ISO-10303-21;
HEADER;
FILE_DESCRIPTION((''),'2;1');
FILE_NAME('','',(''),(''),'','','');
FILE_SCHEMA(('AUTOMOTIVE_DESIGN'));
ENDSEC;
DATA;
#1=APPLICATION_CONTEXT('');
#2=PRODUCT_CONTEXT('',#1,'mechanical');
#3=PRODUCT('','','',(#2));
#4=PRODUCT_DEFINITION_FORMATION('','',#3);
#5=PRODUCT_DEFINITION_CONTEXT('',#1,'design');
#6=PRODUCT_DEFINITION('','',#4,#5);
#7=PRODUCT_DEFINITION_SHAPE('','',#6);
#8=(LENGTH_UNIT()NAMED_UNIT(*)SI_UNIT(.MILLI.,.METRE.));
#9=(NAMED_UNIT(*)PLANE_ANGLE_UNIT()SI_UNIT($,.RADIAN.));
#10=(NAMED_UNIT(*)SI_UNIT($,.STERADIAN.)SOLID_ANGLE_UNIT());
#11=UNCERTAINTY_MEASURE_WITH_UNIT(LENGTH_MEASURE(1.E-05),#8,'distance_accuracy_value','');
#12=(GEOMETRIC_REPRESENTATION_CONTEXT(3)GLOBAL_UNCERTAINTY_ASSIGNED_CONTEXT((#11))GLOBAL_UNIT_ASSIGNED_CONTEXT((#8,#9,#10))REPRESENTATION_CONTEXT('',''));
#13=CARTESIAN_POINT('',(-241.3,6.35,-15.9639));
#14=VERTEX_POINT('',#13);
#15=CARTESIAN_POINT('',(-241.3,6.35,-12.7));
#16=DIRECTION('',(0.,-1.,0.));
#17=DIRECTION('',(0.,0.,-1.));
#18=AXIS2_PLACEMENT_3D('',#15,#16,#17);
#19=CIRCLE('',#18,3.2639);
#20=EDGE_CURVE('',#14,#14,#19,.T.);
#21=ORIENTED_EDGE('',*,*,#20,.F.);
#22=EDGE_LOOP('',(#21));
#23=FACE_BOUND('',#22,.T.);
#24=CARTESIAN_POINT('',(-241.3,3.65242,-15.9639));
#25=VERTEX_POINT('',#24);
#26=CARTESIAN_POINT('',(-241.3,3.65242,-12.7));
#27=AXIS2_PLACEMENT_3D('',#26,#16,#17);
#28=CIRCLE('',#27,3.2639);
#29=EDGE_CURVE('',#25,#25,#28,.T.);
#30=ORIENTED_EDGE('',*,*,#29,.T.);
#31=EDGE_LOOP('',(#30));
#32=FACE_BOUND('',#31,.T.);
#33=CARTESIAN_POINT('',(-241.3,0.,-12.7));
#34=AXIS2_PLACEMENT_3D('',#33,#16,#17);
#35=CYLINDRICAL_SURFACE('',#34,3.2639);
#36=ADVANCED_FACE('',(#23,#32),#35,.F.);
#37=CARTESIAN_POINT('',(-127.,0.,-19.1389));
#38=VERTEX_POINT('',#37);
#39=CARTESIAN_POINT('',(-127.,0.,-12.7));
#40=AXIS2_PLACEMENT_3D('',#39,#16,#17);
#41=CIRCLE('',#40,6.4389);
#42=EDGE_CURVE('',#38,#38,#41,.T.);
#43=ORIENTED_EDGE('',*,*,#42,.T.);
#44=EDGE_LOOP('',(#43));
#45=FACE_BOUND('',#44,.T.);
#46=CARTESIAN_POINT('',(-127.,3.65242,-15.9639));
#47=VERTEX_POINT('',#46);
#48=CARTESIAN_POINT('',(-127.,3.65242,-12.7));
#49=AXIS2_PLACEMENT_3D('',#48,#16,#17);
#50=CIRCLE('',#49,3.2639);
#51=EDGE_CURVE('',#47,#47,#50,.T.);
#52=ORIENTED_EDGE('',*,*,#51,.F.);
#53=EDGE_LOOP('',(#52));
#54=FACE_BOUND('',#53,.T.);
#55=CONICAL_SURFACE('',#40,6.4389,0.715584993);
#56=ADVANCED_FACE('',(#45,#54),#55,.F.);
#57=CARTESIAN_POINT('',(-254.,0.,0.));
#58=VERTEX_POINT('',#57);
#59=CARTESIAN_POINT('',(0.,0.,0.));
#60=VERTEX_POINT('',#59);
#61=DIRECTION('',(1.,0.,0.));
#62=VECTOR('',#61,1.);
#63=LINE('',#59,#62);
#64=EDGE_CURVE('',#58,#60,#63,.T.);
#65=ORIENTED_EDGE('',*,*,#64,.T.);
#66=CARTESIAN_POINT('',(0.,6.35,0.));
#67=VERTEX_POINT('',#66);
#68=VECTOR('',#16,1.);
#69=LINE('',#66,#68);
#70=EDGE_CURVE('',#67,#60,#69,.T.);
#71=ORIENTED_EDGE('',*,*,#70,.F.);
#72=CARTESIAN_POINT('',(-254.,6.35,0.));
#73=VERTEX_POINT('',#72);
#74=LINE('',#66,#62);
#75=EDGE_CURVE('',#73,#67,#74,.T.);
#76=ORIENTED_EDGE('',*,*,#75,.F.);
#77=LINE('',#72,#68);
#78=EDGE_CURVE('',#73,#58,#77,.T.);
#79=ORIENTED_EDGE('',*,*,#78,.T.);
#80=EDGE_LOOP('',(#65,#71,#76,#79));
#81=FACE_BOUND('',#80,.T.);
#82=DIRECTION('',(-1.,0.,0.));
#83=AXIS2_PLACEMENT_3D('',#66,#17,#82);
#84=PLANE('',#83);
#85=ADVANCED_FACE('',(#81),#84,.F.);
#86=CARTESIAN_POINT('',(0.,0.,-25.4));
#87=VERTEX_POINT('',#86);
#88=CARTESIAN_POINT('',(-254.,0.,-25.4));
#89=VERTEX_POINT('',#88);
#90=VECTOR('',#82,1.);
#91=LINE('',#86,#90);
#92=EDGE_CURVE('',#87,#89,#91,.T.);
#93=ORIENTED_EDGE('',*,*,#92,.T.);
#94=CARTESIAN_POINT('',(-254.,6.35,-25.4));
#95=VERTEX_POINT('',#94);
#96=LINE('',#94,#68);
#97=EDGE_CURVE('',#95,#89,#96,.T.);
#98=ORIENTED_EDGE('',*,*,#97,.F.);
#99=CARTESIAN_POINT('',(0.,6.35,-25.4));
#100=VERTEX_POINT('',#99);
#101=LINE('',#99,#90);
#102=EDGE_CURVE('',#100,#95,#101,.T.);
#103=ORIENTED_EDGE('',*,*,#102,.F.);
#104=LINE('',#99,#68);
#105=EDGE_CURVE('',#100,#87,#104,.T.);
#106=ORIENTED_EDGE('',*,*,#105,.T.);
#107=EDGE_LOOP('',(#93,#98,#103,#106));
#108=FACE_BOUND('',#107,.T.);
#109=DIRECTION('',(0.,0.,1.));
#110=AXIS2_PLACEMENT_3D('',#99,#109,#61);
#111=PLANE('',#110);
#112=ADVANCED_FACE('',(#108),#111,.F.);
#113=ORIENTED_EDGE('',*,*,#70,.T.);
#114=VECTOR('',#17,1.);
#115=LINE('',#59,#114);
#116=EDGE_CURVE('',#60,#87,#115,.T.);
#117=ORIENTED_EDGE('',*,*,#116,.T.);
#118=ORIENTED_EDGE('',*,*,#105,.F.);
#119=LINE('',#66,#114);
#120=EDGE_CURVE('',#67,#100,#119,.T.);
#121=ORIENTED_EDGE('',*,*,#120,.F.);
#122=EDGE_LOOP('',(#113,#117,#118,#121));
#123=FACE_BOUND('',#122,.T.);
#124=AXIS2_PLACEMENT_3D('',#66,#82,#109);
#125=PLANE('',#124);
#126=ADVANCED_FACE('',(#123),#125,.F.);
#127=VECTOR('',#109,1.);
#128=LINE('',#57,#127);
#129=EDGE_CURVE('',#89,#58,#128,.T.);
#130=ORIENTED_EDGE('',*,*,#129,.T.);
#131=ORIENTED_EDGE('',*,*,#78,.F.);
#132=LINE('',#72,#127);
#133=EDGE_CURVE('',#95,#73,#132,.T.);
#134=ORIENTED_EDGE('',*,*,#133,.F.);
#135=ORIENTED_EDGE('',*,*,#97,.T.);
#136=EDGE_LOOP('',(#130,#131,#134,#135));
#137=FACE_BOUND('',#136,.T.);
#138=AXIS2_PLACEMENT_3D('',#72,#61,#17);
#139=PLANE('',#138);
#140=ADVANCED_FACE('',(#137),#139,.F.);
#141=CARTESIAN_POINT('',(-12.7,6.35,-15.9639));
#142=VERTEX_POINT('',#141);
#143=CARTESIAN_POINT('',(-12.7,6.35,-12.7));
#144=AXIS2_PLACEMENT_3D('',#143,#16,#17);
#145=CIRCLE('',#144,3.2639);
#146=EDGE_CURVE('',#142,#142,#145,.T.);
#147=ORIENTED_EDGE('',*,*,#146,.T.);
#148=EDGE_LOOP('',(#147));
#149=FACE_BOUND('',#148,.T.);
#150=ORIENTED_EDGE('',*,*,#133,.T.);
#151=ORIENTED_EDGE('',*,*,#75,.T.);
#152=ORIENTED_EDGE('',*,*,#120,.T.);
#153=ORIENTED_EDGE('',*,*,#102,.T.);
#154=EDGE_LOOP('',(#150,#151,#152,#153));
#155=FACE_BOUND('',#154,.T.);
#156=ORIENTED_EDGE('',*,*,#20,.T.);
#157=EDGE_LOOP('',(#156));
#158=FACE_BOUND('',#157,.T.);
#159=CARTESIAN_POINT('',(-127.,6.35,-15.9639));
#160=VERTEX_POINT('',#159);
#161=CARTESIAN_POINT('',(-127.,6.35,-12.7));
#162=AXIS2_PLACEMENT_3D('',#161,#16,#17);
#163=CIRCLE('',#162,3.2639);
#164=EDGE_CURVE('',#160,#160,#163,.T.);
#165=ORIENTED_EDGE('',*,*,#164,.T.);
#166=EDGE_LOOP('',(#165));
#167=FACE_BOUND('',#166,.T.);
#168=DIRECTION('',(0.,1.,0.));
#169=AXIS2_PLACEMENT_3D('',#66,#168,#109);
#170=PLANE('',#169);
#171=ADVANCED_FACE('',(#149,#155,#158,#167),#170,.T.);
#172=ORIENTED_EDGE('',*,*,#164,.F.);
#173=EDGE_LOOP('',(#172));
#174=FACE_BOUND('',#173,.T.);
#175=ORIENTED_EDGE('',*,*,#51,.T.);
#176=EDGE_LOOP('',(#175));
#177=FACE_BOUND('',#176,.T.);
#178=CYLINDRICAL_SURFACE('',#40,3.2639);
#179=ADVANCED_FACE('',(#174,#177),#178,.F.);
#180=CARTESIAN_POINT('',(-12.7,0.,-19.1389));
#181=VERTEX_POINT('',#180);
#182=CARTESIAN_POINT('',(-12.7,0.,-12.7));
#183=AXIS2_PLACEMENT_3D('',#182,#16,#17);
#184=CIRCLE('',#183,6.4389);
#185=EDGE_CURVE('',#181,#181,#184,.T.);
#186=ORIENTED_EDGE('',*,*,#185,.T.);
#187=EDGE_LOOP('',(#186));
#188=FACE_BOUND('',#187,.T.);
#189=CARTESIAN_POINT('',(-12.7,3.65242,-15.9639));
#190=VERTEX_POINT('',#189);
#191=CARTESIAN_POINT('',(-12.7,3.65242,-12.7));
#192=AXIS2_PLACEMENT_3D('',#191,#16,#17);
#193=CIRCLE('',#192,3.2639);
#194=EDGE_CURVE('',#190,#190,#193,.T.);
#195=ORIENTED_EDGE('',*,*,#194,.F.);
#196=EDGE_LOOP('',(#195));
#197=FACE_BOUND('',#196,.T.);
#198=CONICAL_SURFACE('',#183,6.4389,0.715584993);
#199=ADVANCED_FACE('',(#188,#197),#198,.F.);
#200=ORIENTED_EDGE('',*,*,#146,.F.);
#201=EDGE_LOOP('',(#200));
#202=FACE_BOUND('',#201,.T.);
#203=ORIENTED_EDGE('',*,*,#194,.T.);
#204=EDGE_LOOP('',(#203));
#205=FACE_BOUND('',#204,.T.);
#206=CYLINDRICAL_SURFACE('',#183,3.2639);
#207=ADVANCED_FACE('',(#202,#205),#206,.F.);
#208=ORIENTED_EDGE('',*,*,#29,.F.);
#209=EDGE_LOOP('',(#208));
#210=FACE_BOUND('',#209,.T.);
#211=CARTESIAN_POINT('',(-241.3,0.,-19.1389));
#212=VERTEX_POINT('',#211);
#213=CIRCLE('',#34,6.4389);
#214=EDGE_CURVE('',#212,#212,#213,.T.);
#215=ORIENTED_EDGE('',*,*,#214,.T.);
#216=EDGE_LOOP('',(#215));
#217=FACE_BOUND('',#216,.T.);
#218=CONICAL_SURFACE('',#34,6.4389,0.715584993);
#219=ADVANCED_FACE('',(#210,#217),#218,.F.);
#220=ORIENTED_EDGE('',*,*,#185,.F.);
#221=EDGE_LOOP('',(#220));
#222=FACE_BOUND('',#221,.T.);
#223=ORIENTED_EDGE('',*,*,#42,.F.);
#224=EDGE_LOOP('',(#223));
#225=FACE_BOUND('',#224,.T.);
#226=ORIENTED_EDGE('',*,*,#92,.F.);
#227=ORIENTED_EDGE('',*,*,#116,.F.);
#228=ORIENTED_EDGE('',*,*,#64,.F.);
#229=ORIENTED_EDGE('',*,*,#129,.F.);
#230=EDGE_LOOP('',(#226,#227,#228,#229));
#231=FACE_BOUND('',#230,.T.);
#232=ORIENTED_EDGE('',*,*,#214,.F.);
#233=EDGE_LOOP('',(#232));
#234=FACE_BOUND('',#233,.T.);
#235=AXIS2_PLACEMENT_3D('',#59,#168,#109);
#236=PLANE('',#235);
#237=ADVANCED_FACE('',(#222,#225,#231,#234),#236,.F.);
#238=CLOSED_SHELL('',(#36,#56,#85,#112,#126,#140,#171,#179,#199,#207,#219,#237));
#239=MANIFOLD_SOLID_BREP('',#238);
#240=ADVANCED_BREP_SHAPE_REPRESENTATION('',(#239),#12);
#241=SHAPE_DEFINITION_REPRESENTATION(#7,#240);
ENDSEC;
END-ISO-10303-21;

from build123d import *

# Parameters (mm, degrees)
SKETCH1_W                                     = 254
SKETCH1_H                                     = 25.4
BOSS_EXTRUDE1_DEPTH                           = 6.35
CSK_FOR_1_4_FLAT_HEAD_MACHINE_SCREW1_AT_COUNT = 2
CSK_FOR_1_4_FLAT_HEAD_MACHINE_SCREW1_AT_PITCH = 228.6
CSK_FOR_1_4_FLAT_HEAD_MACHINE_SCREW1_2_COUNT  = 2
CSK_FOR_1_4_FLAT_HEAD_MACHINE_SCREW1_2_PITCH  = 114.3


with BuildPart() as part:
    # Sketch1 → Boss-Extrude1 (new body)
    with BuildSketch(Plane(origin=(0, 0, 0), x_dir=(1, 0, 0), z_dir=(0, 1, 0))):
        with Locations((-127, 12.7)):
            Rectangle(SKETCH1_W, SKETCH1_H)
    extrude(amount=BOSS_EXTRUDE1_DEPTH)

    # Sketch7 → CSK for 1/4 Flat Head Machine Screw1 (revolve, cut)
    with BuildSketch(Plane(origin=(-241.3, 0, -12.7), x_dir=(0, 0, -1), z_dir=(1, 0, 0))):
        Polygon((0, 0), (0, 6.35), (3.2639, 6.35), (3.2639, 3.652419693), (6.4389, 0), align=None)
    csk_for_1_4_flat_head_machine_screw1 = revolve(axis=Axis((-241.3, -6.35, -12.7), (0, 1, 0)), mode=Mode.SUBTRACT)

    # CSK for 1/4 Flat Head Machine Screw1 at: CSK for 1/4 Flat Head Machine Screw1 ×2
    with Locations(*[(i * CSK_FOR_1_4_FLAT_HEAD_MACHINE_SCREW1_AT_PITCH, 0, 0) for i in range(1, CSK_FOR_1_4_FLAT_HEAD_MACHINE_SCREW1_AT_COUNT)]):
        add(csk_for_1_4_flat_head_machine_screw1, mode=Mode.SUBTRACT)

    # CSK for 1_4 Flat Head Machine Screw1 2: CSK for 1/4 Flat Head Machine Screw1 ×2
    with Locations(*[(i * CSK_FOR_1_4_FLAT_HEAD_MACHINE_SCREW1_2_PITCH, 0, 0) for i in range(1, CSK_FOR_1_4_FLAT_HEAD_MACHINE_SCREW1_2_COUNT)]):
        add(csk_for_1_4_flat_head_machine_screw1, mode=Mode.SUBTRACT)


solid = part.part
